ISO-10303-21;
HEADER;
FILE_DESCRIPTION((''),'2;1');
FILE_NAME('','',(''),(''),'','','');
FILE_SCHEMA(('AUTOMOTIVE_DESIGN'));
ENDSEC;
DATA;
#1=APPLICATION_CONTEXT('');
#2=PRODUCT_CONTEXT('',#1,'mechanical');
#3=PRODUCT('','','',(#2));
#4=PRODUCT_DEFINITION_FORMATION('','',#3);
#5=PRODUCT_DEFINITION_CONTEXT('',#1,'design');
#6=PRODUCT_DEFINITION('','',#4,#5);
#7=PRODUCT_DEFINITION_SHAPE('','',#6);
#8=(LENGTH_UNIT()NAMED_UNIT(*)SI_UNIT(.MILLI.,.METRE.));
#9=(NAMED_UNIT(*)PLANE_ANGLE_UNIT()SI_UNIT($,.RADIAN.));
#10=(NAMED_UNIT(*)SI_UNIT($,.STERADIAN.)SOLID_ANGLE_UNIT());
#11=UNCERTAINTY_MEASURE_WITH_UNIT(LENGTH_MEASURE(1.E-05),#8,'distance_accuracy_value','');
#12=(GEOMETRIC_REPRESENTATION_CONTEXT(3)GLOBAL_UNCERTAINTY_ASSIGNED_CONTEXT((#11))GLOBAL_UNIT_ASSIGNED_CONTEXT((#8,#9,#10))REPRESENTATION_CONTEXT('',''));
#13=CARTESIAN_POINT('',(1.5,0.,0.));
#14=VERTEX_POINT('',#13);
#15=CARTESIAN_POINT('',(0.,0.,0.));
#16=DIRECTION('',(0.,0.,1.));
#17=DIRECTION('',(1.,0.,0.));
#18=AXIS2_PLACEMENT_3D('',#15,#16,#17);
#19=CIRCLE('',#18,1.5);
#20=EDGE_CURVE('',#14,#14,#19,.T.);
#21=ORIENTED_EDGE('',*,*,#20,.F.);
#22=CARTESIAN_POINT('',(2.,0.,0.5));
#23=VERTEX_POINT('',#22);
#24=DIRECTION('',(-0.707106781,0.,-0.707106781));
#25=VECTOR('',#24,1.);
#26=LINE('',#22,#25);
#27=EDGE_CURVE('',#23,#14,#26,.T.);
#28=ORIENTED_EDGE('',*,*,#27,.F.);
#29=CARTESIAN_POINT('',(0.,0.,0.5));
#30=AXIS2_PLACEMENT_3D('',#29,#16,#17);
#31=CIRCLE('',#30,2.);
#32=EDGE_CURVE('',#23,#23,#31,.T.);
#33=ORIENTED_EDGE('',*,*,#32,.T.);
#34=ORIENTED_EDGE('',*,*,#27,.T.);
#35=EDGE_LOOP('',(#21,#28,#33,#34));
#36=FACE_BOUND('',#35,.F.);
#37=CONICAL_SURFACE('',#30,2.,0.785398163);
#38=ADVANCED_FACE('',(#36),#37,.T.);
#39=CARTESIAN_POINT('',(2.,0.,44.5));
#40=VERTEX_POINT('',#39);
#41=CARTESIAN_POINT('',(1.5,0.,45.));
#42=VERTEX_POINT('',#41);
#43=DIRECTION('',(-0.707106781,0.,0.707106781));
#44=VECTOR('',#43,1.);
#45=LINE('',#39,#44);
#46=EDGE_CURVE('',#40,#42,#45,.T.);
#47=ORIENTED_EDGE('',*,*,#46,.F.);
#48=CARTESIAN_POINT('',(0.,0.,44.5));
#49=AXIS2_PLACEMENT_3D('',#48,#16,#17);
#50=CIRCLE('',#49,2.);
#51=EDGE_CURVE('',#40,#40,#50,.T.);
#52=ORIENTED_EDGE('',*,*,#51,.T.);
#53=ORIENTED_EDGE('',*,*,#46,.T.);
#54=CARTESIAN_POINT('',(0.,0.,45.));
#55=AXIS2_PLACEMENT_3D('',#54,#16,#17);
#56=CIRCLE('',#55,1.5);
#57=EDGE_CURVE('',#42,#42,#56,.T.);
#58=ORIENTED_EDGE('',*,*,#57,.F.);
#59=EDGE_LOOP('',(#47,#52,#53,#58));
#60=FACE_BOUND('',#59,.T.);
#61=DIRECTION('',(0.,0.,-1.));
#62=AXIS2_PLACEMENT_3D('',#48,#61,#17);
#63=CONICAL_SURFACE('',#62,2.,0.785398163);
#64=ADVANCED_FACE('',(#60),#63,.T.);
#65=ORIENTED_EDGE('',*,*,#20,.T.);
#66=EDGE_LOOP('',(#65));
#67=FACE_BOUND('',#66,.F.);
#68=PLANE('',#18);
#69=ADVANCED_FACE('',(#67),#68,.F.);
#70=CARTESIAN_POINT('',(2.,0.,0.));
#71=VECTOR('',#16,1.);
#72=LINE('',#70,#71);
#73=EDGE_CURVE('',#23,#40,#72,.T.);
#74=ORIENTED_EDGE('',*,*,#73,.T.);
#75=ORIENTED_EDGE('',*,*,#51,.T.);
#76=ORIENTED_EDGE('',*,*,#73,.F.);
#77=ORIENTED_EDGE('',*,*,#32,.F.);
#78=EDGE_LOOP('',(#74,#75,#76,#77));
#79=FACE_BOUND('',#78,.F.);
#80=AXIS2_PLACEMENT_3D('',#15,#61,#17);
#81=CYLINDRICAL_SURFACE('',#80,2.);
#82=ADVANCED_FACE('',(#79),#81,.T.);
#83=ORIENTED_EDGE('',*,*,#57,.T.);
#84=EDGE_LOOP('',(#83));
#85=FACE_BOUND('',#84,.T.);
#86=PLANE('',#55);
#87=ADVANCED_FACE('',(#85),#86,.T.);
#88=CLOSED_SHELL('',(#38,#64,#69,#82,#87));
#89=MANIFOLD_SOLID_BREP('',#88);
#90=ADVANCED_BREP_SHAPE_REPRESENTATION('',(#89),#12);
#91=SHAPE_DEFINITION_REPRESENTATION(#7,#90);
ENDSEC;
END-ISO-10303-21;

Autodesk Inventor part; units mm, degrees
ref_plane "YZ Plane" through (0, 0, 0) normal (1, 0, 0) x (0, 1, 0)
ref_plane "XZ Plane" through (0, 0, 0) normal (0, 1, 0) x (-1, 0, 0)
ref_plane "XY Plane" through (0, 0, 0) normal (0, 0, 1) x (1, 0, 0)
sketch "Skizze1" plane through (0, 0, 0) normal (0, 0, 1) x (1, 0, 0)
  circle A0 centre (0, 0) radius 2
  dimension "d0" = 4
extrude "Extrusion1" add sketch "Skizze1" along normal blind 45
chamfer "Fase1" distance 0.5 angle 45 2 edges at (-2, 0, 0) (-2, 0, 45)
properties part number "BeltDriveAxis"
